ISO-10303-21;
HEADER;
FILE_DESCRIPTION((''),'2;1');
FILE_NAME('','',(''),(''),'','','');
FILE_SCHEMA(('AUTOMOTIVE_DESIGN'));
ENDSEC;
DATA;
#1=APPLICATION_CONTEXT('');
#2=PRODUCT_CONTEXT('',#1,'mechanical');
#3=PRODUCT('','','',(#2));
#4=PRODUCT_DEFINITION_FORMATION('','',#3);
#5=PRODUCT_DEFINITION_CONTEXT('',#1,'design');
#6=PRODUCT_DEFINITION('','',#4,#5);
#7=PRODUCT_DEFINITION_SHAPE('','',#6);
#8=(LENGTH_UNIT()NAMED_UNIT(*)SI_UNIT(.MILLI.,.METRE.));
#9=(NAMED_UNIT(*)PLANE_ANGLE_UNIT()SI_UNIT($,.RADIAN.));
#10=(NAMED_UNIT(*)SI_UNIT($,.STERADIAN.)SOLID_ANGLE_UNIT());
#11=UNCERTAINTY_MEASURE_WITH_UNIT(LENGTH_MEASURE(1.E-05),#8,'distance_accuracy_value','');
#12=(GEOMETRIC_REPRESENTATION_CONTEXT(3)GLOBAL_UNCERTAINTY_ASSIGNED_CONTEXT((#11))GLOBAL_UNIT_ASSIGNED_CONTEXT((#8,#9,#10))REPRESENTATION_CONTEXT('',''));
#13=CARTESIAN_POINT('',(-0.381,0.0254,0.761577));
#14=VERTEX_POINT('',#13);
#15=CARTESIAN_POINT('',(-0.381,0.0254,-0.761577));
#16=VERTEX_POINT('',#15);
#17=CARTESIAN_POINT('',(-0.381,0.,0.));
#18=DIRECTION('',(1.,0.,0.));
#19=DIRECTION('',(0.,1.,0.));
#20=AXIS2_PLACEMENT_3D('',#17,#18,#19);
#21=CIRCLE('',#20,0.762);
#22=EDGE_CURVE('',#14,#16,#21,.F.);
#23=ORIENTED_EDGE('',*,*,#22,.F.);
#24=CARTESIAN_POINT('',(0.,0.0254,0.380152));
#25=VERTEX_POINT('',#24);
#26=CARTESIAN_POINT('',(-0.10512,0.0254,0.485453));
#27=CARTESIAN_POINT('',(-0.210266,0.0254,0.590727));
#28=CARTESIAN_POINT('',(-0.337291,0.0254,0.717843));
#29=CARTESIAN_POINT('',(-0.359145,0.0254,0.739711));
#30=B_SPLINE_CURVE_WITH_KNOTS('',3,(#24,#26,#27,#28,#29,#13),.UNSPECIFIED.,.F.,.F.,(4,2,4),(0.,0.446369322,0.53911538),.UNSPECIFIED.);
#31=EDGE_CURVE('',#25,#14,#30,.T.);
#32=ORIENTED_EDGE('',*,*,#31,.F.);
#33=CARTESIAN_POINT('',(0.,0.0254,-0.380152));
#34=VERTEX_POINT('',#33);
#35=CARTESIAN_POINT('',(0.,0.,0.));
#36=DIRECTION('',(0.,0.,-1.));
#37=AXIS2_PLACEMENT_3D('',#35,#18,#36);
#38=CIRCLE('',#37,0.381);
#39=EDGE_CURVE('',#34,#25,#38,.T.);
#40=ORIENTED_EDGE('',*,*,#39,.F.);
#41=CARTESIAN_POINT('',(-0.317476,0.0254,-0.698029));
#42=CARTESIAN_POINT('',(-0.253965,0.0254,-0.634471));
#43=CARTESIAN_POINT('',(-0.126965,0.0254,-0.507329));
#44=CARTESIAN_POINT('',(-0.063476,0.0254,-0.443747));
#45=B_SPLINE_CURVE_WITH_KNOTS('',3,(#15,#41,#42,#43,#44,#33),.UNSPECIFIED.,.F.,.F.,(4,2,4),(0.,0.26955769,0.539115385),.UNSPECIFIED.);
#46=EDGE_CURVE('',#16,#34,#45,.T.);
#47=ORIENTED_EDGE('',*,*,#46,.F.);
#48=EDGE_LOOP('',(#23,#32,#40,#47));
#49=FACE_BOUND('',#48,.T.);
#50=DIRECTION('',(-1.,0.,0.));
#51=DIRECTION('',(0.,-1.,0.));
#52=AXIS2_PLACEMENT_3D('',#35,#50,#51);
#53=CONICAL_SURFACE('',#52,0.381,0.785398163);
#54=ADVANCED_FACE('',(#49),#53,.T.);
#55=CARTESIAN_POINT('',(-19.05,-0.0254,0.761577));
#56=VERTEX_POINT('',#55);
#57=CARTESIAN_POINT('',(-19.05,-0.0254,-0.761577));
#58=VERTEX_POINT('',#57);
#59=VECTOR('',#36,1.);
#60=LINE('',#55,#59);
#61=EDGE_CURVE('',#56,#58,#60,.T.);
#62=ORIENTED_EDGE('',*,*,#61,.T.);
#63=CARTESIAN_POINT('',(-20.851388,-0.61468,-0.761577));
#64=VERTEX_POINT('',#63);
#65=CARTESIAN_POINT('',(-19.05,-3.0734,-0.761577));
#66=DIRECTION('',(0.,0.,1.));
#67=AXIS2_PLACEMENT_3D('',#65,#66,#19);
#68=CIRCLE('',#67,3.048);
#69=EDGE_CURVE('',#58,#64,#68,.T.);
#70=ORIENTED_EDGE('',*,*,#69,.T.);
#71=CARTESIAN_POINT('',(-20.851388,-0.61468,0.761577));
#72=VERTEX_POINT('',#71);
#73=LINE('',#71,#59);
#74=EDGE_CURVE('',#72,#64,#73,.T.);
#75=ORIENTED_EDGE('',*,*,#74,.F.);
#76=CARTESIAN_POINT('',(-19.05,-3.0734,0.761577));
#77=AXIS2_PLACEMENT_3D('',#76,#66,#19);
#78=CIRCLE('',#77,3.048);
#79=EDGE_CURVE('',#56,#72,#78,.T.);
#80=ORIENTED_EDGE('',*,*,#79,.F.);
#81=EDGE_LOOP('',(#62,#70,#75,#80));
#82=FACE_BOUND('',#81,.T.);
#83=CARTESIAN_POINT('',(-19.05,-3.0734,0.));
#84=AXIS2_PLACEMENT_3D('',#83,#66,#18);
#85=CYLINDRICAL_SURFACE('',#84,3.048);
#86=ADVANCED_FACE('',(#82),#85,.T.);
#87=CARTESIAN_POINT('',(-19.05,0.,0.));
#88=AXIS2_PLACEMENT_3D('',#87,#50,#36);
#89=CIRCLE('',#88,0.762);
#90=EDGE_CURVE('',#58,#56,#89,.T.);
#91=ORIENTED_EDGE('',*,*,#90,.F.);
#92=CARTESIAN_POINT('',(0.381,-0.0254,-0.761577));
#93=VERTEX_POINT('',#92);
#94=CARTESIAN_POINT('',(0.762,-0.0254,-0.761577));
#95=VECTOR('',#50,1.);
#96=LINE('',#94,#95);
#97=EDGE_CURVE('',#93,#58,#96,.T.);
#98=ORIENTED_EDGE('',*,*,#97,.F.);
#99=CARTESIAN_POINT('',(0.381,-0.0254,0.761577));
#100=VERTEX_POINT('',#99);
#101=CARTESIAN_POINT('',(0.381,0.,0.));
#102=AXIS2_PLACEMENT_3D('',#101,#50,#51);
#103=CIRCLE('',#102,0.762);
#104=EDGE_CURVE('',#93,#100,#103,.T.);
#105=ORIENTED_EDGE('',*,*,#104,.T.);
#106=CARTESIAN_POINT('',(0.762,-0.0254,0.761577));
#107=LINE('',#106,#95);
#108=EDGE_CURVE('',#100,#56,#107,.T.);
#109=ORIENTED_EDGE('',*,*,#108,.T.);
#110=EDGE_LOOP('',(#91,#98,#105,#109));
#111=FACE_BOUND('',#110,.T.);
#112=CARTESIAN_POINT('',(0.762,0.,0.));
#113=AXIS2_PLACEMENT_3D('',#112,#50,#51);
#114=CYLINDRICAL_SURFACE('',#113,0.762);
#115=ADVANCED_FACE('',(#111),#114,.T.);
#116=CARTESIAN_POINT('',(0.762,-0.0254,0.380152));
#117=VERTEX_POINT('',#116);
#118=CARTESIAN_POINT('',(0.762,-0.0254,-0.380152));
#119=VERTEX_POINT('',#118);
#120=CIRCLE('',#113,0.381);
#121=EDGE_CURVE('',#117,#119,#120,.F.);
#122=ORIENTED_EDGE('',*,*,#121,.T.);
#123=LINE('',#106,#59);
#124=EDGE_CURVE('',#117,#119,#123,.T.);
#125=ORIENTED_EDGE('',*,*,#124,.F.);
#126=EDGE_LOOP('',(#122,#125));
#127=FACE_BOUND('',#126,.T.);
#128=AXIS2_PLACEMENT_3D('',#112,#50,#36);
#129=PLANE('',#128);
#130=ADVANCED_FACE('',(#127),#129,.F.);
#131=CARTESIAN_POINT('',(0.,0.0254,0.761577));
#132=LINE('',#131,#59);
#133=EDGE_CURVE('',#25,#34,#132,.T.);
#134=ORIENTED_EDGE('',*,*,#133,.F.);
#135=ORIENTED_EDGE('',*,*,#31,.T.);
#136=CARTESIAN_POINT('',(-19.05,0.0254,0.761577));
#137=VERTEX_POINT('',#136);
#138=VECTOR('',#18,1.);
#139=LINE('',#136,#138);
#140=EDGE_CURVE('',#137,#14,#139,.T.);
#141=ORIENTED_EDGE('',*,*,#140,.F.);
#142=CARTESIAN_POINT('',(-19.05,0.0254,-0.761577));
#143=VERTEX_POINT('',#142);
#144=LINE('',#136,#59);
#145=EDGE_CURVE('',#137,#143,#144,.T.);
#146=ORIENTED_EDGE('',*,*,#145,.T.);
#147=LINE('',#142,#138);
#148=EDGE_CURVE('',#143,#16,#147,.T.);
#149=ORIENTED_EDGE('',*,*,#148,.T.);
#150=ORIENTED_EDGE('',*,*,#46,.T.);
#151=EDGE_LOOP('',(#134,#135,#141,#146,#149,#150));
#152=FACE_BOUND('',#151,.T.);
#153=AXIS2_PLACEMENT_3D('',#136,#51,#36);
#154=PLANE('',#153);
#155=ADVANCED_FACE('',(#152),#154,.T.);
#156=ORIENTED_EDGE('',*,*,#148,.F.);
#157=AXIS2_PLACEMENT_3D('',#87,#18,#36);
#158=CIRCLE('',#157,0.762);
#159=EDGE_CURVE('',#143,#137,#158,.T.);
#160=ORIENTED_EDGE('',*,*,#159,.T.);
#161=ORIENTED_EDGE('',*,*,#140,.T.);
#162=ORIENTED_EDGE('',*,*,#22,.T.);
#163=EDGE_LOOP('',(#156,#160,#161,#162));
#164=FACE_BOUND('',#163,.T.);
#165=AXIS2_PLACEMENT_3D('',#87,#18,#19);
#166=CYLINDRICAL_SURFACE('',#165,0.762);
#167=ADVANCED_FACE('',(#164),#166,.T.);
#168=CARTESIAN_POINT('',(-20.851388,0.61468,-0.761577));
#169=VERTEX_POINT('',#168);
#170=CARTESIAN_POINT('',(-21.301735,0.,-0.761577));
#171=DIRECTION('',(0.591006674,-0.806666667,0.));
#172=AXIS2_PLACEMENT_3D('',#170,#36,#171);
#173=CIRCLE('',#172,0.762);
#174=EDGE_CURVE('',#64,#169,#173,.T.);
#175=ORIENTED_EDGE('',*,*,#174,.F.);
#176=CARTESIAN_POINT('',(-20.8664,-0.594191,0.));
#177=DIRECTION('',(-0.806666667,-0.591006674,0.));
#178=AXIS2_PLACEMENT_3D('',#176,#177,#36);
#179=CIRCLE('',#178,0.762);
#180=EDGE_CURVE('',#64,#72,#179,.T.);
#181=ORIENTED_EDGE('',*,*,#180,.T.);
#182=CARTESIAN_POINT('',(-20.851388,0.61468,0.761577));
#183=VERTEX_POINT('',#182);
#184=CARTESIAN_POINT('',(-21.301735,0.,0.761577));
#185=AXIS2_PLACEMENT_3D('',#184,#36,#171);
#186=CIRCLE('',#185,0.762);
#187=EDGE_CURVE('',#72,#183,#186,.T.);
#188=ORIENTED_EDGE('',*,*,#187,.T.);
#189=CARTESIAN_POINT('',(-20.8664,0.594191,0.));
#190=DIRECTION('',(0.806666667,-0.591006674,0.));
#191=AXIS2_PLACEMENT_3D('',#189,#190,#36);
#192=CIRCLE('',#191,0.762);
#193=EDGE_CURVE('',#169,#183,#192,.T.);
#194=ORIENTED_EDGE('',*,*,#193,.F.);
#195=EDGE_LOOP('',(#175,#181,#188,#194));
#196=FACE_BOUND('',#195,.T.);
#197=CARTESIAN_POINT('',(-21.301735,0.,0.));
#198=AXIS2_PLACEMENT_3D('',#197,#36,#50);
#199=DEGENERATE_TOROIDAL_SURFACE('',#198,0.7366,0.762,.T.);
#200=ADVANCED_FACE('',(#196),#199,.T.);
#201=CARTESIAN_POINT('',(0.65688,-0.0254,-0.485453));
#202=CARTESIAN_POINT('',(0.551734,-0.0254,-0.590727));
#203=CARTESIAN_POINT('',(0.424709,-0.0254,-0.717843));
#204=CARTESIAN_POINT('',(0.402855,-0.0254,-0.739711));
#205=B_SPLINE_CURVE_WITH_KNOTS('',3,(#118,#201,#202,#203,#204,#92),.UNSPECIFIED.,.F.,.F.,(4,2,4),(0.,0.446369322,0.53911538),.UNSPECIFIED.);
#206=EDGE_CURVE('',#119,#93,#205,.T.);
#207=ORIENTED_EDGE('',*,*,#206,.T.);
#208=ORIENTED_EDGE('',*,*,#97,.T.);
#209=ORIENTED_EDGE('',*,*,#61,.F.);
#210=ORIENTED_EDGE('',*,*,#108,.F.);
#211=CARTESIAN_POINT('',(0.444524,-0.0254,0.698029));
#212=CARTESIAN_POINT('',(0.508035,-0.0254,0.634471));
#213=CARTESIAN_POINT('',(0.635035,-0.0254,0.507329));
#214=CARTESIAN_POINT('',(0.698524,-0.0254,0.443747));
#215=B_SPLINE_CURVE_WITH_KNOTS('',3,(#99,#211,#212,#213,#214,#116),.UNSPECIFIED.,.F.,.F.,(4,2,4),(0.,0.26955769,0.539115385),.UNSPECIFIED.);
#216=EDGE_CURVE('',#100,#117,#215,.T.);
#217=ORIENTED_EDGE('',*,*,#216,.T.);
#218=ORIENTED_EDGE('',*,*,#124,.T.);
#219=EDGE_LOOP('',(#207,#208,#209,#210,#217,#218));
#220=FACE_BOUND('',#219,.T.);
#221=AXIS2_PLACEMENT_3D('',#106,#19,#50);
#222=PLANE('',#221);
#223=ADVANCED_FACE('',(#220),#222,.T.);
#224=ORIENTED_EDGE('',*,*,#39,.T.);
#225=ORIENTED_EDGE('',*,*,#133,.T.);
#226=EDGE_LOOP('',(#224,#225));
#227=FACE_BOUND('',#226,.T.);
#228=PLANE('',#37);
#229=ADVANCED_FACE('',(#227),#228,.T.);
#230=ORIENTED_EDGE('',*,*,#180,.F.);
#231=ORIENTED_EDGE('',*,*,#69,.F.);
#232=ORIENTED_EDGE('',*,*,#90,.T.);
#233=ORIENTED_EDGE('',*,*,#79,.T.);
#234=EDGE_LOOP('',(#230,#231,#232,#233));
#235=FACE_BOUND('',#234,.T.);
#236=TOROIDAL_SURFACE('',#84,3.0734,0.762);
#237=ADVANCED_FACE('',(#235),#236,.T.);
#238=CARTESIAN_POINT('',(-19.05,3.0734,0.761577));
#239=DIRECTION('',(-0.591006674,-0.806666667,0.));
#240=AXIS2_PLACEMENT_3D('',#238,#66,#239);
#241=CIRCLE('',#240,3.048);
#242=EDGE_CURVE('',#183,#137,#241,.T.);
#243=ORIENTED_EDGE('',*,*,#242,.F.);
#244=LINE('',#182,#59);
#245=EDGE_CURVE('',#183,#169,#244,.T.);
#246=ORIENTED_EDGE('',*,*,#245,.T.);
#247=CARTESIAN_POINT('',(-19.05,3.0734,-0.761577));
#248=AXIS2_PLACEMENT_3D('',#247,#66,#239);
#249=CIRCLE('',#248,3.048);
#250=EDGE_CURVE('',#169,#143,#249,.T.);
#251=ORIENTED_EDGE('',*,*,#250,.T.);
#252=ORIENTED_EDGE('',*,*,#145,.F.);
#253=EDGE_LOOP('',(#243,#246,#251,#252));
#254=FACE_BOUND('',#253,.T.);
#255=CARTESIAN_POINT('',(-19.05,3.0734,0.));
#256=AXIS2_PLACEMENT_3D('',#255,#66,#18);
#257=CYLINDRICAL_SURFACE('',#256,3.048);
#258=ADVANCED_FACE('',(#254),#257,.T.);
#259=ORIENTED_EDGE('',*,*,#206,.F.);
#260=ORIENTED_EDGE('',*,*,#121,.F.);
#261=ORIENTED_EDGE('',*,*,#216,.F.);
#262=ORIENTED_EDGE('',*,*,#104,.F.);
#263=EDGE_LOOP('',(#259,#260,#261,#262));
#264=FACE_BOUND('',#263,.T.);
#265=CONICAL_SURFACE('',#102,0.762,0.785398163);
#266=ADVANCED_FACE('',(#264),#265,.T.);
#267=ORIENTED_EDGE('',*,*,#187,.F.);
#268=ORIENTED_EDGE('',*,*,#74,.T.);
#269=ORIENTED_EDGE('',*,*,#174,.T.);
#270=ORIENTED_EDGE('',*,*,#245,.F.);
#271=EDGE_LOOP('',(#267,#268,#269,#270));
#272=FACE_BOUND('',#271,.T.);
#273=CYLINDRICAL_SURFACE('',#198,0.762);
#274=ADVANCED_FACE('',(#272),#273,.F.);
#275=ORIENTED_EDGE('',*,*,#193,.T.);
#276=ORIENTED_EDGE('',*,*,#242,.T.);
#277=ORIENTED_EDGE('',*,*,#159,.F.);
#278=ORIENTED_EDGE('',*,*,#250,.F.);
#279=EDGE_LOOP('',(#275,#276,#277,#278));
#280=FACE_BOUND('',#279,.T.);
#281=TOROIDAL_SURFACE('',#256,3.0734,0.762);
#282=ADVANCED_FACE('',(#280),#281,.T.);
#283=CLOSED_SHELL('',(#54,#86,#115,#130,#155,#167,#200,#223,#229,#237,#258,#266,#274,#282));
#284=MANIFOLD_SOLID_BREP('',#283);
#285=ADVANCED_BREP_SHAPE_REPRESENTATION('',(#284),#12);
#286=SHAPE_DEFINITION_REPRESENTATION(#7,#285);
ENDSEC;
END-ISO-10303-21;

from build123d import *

# Parameters (mm, degrees)
CHAMFER1_SIZE = 0.381


with BuildPart() as part:
    # Sweep1: sweep along a path in Sketch3
    with BuildLine(Plane.XY) as sweep1_path:
        Line((0.762, -0.0254), (-19.05, -0.0254))
        ThreePointArc((-19.05, -0.0254), (-19.997661712, -0.176463466), (-20.851388343, -0.61468))
        ThreePointArc((-20.851388343, -0.61468), (-22.063735429, 0), (-20.851388343, 0.61468))
        ThreePointArc((-20.851388343, 0.61468), (-19.997661712, 0.176463466), (-19.05, 0.0254))
        Line((-19.05, 0.0254), (0, 0.0254))
    # Sketch4 → Sweep1 (sweep)
    with BuildSketch(Plane(origin=(0, 0, 0), x_dir=(0, 0, -1), z_dir=(1, 0, 0))):
        with BuildLine():
            Line((-0.761576549, 0.0254), (0.761576549, 0.0254))
            ThreePointArc((0.761576549, 0.0254), (0, 0.762), (-0.761576549, 0.0254))
        make_face()
    sweep(path=sweep1_path.line)

    # Chamfer1
    chamfer1_edges = [part.edges().sort_by_distance(p)[0] for p in [
        (0, 0.762, 0),
        (0.762, -0.762, 0),
    ]]
    chamfer(chamfer1_edges, length=CHAMFER1_SIZE)


solid = part.part
